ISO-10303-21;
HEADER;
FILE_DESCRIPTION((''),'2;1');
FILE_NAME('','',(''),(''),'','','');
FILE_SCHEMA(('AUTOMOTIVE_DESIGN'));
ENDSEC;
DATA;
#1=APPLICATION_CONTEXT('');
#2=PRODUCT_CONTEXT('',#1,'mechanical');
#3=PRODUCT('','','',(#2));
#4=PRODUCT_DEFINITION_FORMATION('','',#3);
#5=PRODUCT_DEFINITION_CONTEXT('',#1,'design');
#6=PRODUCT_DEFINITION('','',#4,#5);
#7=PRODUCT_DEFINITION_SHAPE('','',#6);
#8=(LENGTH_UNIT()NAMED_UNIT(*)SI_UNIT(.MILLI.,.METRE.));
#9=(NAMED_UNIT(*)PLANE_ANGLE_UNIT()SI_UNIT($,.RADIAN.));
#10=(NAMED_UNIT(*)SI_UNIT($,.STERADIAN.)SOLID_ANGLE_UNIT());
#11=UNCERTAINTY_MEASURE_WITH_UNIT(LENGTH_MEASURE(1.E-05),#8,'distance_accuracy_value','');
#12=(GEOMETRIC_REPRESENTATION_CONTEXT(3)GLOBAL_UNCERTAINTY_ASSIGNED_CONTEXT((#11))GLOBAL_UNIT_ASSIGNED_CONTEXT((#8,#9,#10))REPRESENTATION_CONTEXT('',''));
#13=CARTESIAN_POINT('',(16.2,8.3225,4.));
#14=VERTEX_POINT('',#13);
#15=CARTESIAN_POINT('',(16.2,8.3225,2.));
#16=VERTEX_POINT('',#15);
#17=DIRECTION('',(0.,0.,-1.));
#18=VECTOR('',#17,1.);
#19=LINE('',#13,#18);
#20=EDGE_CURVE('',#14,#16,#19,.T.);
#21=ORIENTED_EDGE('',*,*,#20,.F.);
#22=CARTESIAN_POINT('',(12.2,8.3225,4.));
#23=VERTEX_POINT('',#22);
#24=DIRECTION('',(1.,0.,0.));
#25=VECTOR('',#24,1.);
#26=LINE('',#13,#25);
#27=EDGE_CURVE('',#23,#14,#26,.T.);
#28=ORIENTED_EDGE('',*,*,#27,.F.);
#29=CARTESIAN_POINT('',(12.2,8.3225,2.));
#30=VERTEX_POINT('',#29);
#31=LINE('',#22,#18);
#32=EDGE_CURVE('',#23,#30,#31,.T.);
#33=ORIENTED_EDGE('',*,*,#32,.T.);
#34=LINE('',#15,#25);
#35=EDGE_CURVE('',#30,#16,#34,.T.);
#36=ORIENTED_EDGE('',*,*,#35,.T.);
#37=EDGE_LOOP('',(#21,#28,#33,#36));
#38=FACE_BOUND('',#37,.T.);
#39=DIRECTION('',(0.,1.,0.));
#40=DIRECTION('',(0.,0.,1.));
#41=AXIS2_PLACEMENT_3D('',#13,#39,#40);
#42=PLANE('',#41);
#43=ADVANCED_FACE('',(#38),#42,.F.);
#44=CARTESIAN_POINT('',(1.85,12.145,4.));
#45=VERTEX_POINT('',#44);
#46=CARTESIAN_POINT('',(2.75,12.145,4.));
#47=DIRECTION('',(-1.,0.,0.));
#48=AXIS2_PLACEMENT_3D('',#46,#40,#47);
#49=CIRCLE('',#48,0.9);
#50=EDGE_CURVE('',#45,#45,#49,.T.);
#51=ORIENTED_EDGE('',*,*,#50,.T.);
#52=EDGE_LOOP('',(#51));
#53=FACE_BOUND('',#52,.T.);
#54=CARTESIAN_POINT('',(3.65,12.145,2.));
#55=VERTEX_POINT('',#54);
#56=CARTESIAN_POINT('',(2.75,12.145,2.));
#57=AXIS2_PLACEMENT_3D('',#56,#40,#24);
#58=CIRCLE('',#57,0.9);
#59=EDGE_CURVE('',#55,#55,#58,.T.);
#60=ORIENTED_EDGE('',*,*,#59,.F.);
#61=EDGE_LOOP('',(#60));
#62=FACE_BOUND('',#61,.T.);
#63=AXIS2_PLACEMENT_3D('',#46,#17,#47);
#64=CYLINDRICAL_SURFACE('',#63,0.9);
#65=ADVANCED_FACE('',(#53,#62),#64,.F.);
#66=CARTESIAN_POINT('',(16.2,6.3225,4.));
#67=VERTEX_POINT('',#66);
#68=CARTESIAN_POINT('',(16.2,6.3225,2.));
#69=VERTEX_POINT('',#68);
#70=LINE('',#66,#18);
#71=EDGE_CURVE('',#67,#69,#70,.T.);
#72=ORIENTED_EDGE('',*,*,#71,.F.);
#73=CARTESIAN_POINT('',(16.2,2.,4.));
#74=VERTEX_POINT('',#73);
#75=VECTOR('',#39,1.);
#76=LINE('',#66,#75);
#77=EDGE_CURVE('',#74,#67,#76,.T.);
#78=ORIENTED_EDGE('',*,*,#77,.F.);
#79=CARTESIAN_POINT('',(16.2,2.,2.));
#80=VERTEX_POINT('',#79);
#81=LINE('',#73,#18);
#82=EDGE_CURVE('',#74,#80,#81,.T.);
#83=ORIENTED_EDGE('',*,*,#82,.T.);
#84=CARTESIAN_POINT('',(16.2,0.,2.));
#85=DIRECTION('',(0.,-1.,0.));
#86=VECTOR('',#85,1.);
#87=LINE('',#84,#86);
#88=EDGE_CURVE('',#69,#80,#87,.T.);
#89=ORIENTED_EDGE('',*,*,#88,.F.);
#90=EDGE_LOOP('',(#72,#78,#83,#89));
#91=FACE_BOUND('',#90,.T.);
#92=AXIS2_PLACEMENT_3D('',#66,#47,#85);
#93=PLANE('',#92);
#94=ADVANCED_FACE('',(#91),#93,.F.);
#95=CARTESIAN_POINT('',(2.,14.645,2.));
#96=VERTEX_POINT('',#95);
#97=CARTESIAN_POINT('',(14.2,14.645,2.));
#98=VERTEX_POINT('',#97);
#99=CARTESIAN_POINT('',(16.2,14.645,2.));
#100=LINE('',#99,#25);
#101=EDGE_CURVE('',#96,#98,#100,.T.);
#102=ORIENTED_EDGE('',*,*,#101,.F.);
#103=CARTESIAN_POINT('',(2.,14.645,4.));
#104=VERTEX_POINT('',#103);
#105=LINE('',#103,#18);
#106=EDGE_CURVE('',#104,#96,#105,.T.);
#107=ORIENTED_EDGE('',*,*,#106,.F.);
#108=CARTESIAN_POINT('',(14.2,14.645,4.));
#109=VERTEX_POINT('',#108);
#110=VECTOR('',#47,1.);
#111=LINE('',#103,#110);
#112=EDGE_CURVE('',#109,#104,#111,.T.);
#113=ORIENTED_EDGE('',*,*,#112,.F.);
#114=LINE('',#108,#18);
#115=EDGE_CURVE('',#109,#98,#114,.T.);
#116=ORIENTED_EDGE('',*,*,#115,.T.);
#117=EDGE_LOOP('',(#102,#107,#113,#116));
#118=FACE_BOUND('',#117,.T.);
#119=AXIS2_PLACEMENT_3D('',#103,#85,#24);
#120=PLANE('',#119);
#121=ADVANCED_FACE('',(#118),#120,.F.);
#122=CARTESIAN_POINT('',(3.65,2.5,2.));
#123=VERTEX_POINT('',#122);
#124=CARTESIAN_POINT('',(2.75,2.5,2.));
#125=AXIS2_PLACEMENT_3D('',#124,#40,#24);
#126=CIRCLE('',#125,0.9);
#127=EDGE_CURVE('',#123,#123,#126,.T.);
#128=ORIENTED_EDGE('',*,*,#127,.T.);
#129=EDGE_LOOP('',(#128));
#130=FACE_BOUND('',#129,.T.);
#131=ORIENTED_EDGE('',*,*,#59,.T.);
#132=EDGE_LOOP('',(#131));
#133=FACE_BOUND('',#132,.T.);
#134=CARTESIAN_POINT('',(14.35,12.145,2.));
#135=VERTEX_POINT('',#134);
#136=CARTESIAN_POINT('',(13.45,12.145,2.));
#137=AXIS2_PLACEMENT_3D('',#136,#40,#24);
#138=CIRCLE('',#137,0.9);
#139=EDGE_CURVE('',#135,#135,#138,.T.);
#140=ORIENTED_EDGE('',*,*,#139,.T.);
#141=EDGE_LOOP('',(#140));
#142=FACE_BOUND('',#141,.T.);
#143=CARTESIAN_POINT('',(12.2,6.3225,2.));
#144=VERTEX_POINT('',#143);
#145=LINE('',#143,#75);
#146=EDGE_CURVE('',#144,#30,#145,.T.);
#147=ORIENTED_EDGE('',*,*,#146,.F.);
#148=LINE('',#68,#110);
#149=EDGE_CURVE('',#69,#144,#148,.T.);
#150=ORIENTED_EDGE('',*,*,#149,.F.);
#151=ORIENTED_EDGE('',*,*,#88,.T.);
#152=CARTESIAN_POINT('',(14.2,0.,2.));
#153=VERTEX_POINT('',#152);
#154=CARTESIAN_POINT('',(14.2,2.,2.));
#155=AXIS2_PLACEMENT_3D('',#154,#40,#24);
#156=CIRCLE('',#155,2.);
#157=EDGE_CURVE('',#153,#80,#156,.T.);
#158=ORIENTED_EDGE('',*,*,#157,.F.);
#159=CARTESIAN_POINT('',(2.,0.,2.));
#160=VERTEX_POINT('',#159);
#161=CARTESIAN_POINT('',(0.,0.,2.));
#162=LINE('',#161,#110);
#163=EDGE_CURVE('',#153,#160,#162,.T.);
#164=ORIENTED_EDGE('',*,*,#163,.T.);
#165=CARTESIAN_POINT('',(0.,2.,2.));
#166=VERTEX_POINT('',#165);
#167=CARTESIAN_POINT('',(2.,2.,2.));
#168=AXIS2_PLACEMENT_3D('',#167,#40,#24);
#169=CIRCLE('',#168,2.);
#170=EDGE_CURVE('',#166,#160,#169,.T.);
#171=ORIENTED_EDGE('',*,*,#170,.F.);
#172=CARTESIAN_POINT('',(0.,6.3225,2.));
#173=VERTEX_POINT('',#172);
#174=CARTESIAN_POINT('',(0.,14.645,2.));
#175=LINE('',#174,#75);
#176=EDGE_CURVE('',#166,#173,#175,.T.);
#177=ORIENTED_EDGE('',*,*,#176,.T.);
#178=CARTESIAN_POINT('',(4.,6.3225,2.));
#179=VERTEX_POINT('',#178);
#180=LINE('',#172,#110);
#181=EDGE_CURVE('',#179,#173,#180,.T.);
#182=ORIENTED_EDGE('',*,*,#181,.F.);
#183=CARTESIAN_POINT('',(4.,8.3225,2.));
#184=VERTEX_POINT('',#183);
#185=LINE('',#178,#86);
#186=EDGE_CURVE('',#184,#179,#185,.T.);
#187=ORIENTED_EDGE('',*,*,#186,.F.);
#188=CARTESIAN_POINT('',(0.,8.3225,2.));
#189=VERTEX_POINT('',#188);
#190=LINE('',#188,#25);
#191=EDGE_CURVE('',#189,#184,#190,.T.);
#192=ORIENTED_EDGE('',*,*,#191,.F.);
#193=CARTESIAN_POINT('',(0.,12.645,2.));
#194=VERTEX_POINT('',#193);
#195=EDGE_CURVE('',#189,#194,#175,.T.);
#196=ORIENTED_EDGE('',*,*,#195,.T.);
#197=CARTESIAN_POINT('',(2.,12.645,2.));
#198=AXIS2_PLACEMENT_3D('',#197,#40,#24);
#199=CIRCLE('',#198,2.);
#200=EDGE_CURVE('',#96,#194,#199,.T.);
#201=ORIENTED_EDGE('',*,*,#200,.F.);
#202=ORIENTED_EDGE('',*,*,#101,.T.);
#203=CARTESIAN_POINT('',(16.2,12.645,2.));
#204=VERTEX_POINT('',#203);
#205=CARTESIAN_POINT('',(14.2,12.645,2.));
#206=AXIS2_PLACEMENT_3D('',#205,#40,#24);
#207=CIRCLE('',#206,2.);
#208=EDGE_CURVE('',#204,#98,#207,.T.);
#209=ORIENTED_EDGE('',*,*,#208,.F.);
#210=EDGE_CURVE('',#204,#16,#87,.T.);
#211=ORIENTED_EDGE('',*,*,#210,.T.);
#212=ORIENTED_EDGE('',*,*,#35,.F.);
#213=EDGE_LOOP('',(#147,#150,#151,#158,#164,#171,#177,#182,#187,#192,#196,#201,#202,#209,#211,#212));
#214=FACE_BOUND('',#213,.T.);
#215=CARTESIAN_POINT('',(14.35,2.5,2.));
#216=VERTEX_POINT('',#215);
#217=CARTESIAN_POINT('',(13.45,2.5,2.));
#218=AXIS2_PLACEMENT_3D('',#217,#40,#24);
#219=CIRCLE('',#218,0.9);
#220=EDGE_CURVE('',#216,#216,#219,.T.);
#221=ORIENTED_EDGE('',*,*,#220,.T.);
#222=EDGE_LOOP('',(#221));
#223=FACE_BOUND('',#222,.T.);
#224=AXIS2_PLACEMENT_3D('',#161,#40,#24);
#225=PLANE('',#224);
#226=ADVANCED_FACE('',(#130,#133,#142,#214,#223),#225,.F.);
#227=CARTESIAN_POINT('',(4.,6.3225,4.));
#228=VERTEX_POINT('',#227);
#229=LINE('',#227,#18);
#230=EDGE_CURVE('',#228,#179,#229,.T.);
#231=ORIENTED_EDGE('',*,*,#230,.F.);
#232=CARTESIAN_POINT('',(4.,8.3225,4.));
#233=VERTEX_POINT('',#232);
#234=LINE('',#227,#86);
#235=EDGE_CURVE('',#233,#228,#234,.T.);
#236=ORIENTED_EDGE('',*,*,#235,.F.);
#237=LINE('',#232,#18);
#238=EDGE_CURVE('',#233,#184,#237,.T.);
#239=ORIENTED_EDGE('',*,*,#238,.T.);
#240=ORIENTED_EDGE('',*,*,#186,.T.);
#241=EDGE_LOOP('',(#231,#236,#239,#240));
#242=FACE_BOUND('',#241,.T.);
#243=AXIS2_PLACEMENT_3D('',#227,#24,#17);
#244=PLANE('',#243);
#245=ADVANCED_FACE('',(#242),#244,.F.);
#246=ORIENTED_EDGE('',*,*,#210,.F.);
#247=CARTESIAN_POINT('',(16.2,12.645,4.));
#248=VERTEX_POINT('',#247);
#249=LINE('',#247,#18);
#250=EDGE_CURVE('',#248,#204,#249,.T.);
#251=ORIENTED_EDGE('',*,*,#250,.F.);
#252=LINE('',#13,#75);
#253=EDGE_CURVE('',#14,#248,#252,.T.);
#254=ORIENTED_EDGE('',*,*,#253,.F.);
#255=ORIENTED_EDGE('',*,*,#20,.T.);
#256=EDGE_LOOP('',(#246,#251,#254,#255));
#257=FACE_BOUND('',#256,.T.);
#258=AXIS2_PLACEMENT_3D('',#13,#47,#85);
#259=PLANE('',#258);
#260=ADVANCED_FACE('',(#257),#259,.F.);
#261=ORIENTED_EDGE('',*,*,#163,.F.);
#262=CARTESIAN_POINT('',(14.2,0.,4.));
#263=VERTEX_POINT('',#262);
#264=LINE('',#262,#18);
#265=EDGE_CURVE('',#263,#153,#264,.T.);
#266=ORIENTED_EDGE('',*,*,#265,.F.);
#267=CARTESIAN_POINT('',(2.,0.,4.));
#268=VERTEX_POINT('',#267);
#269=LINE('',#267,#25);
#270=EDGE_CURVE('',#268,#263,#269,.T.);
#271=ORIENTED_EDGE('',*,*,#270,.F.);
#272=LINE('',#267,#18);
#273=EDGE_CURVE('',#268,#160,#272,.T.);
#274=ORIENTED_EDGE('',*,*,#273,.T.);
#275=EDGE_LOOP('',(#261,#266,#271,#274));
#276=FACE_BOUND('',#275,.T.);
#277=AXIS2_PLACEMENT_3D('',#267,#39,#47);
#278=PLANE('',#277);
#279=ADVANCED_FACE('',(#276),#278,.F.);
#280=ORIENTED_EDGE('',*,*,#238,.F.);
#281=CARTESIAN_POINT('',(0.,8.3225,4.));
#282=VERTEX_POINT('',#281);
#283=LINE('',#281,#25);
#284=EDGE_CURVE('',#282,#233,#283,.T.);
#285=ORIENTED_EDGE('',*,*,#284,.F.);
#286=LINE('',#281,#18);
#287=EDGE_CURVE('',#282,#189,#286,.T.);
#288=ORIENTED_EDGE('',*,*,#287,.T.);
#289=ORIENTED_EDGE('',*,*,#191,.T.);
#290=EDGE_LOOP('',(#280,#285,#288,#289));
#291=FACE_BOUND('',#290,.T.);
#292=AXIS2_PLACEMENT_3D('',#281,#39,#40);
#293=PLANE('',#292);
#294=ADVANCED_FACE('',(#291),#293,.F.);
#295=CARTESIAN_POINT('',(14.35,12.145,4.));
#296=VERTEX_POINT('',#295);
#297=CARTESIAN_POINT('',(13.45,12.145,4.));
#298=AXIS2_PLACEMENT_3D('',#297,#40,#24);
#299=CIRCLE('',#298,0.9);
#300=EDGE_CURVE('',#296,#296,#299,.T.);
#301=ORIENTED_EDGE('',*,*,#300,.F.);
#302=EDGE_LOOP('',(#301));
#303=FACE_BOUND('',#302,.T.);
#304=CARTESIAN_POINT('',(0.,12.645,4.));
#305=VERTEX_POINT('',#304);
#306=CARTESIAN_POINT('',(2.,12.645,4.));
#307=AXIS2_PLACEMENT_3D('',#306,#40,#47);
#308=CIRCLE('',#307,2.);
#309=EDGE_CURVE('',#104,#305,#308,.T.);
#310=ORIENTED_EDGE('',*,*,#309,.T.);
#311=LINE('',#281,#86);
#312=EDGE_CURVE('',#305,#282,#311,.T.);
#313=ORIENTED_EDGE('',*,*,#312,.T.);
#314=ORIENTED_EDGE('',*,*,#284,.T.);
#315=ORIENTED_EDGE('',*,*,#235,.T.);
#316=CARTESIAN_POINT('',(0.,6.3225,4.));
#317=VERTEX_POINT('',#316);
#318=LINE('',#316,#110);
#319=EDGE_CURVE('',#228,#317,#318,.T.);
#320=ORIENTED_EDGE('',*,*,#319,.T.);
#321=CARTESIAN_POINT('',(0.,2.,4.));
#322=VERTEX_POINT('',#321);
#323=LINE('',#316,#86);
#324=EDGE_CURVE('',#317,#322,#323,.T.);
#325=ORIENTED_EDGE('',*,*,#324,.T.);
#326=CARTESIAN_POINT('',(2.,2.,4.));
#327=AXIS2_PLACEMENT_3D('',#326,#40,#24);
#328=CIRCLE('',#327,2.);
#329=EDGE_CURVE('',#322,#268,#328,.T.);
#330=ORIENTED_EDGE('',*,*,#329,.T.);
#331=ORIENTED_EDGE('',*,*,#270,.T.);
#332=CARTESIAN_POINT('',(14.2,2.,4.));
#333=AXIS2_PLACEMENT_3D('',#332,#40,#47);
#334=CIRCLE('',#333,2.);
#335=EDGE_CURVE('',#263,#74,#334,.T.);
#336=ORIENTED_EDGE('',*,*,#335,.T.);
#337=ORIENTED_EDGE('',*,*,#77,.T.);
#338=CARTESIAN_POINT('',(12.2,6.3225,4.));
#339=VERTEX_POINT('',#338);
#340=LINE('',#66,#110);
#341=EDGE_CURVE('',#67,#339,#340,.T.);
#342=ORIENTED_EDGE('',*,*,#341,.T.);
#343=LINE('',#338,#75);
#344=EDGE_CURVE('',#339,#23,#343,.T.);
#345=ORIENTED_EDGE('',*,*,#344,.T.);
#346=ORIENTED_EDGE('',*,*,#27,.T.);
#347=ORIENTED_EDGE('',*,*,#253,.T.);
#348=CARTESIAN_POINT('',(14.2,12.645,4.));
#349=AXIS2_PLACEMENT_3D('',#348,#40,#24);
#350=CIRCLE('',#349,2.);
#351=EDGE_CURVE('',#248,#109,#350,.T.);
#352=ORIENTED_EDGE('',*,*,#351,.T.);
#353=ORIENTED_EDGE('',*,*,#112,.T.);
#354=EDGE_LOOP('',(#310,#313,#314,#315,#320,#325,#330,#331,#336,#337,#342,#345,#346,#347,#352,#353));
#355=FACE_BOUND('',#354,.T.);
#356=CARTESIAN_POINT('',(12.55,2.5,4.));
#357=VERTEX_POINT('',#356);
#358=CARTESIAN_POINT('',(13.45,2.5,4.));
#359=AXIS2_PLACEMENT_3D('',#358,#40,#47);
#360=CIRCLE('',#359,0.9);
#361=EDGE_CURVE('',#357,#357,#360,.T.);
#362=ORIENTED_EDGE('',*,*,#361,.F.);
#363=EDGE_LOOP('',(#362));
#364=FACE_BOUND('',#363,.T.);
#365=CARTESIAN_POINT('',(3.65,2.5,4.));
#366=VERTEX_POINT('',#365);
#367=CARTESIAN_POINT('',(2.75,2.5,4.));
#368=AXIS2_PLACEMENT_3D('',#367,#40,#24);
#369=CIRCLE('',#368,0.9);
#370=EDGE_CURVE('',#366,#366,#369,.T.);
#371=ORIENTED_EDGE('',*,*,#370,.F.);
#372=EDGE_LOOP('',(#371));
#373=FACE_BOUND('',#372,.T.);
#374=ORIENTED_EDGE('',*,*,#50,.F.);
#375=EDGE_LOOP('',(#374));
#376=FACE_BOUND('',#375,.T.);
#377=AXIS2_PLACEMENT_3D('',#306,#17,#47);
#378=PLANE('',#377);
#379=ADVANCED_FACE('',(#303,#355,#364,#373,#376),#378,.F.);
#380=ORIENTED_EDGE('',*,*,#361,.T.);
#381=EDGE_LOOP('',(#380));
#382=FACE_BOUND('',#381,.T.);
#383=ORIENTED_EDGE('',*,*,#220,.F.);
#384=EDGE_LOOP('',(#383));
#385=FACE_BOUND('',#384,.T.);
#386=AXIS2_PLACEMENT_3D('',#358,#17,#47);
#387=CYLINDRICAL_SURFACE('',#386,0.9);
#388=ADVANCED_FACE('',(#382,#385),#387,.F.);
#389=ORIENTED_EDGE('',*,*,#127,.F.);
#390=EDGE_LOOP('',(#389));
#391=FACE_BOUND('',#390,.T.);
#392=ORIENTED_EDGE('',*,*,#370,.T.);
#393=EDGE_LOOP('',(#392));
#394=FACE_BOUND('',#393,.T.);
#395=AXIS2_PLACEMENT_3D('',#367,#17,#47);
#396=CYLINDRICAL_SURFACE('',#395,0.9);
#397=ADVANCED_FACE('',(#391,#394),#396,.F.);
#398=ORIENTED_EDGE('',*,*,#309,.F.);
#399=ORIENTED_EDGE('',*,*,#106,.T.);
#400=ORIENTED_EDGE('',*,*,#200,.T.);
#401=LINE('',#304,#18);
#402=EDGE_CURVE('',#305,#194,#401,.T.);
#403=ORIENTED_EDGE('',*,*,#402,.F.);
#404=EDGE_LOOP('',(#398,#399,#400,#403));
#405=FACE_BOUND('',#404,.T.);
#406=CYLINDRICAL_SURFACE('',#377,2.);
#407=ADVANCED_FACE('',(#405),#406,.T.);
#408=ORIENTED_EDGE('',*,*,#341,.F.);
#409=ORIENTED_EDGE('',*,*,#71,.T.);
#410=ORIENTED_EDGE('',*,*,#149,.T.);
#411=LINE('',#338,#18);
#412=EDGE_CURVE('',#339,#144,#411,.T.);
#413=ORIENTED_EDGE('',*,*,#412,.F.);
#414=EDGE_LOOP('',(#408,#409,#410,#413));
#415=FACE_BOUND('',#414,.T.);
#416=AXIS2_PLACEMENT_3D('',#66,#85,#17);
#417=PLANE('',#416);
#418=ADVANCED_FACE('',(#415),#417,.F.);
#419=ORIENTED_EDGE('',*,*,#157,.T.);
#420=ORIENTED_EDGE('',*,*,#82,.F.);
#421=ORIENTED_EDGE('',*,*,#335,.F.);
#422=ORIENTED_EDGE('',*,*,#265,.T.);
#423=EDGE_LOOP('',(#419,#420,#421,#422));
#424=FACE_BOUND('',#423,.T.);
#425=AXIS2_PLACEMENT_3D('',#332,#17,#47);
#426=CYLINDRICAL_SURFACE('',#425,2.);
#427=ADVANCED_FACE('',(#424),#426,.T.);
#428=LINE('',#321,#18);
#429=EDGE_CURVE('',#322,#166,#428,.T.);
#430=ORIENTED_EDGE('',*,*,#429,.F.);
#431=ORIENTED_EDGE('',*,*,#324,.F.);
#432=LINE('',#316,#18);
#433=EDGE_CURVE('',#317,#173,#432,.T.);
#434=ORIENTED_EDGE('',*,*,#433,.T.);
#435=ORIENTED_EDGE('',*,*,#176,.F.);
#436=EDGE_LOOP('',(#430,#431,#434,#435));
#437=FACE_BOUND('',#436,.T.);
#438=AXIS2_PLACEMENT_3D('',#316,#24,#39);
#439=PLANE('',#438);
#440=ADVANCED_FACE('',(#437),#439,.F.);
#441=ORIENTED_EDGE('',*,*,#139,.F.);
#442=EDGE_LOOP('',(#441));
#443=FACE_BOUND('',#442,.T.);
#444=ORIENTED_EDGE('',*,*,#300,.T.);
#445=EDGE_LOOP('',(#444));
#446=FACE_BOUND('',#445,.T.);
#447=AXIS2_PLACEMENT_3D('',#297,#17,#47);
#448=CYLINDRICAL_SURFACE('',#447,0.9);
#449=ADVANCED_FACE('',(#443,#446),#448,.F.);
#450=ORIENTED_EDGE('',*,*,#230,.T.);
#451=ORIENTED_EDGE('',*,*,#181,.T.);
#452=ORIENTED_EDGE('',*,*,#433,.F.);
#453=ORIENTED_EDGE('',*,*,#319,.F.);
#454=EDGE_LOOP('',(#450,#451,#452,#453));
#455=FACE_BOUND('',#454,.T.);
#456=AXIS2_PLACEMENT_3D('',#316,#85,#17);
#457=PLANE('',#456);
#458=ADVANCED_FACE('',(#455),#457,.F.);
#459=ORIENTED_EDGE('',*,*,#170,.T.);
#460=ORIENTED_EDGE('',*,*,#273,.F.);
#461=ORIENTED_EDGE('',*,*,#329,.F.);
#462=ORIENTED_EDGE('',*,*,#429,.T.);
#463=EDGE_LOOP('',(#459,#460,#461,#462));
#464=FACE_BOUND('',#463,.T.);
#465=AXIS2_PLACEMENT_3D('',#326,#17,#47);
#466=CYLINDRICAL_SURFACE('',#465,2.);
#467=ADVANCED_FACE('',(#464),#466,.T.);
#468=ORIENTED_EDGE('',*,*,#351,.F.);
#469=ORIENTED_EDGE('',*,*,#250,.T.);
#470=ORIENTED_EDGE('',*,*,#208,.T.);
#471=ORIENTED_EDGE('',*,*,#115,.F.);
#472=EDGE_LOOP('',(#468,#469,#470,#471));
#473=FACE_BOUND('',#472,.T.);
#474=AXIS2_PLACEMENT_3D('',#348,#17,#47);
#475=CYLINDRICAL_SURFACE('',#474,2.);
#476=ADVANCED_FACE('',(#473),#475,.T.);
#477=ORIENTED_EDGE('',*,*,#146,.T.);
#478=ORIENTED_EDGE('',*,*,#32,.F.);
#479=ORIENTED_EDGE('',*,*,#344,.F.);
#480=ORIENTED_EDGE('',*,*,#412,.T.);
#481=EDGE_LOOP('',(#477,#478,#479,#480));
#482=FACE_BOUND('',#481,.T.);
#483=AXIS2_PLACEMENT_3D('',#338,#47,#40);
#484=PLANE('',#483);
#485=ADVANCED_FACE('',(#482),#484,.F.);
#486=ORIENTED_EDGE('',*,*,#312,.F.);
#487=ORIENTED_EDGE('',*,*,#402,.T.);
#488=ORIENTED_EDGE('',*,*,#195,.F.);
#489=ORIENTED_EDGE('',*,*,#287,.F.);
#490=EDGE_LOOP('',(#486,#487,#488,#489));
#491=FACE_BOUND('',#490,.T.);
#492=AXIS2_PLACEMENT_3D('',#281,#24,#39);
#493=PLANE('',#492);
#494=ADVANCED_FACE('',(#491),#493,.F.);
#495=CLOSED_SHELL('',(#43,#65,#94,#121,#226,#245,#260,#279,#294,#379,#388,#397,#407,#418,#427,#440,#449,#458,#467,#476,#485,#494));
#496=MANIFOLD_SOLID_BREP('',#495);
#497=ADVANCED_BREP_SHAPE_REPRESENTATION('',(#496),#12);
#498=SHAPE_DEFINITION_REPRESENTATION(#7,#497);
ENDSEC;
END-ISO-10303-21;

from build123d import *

# Parameters (mm, degrees)
SKETCH1_R           = 0.9
BOSS_EXTRUDE1_DEPTH = 4
SKETCH2_W           = 16.2
SKETCH2_H           = 14.645
CUT_EXTRUDE1_DEPTH  = 2


with BuildPart() as part:
    # Sketch1 → Boss-Extrude1 (new body)
    with BuildSketch(Plane.XY):
        with BuildLine():
            Line((2, 14.645), (14.2, 14.645))
            ThreePointArc((14.2, 14.645), (15.614213562, 14.059213562), (16.2, 12.645))
            Line((16.2, 12.645), (16.2, 8.3225))
            Line((16.2, 8.3225), (12.2, 8.3225))
            Line((12.2, 8.3225), (12.2, 6.3225))
            Line((12.2, 6.3225), (16.2, 6.3225))
            Line((16.2, 6.3225), (16.2, 2))
            ThreePointArc((16.2, 2), (15.614213562, 0.585786438), (14.2, 0))
            Line((14.2, 0), (2, 0))
            ThreePointArc((2, 0), (0.585786438, 0.585786438), (0, 2))
            Line((0, 2), (0, 6.3225))
            Line((0, 6.3225), (4, 6.3225))
            Line((4, 6.3225), (4, 8.3225))
            Line((4, 8.3225), (0, 8.3225))
            Line((0, 8.3225), (0, 12.645))
            ThreePointArc((0, 12.645), (0.585786438, 14.059213562), (2, 14.645))
        make_face()
        with Locations((2.75, 12.145)):
            Circle(SKETCH1_R, mode=Mode.SUBTRACT)
        with Locations((13.45, 2.5)):
            Circle(SKETCH1_R, mode=Mode.SUBTRACT)
        with Locations((13.45, 12.145)):
            Circle(SKETCH1_R, mode=Mode.SUBTRACT)
        with Locations((2.75, 2.5)):
            Circle(SKETCH1_R, mode=Mode.SUBTRACT)
    extrude(amount=BOSS_EXTRUDE1_DEPTH)

    # Sketch2 → Cut-Extrude1 (cut)
    with BuildSketch(Plane(origin=(0, 0, 0), x_dir=(-1, 0, 0), z_dir=(0, 0, -1))):
        with Locations((-8.1, 7.3225)):
            Rectangle(SKETCH2_W, SKETCH2_H)
    extrude(amount=-CUT_EXTRUDE1_DEPTH, mode=Mode.SUBTRACT)


solid = part.part
